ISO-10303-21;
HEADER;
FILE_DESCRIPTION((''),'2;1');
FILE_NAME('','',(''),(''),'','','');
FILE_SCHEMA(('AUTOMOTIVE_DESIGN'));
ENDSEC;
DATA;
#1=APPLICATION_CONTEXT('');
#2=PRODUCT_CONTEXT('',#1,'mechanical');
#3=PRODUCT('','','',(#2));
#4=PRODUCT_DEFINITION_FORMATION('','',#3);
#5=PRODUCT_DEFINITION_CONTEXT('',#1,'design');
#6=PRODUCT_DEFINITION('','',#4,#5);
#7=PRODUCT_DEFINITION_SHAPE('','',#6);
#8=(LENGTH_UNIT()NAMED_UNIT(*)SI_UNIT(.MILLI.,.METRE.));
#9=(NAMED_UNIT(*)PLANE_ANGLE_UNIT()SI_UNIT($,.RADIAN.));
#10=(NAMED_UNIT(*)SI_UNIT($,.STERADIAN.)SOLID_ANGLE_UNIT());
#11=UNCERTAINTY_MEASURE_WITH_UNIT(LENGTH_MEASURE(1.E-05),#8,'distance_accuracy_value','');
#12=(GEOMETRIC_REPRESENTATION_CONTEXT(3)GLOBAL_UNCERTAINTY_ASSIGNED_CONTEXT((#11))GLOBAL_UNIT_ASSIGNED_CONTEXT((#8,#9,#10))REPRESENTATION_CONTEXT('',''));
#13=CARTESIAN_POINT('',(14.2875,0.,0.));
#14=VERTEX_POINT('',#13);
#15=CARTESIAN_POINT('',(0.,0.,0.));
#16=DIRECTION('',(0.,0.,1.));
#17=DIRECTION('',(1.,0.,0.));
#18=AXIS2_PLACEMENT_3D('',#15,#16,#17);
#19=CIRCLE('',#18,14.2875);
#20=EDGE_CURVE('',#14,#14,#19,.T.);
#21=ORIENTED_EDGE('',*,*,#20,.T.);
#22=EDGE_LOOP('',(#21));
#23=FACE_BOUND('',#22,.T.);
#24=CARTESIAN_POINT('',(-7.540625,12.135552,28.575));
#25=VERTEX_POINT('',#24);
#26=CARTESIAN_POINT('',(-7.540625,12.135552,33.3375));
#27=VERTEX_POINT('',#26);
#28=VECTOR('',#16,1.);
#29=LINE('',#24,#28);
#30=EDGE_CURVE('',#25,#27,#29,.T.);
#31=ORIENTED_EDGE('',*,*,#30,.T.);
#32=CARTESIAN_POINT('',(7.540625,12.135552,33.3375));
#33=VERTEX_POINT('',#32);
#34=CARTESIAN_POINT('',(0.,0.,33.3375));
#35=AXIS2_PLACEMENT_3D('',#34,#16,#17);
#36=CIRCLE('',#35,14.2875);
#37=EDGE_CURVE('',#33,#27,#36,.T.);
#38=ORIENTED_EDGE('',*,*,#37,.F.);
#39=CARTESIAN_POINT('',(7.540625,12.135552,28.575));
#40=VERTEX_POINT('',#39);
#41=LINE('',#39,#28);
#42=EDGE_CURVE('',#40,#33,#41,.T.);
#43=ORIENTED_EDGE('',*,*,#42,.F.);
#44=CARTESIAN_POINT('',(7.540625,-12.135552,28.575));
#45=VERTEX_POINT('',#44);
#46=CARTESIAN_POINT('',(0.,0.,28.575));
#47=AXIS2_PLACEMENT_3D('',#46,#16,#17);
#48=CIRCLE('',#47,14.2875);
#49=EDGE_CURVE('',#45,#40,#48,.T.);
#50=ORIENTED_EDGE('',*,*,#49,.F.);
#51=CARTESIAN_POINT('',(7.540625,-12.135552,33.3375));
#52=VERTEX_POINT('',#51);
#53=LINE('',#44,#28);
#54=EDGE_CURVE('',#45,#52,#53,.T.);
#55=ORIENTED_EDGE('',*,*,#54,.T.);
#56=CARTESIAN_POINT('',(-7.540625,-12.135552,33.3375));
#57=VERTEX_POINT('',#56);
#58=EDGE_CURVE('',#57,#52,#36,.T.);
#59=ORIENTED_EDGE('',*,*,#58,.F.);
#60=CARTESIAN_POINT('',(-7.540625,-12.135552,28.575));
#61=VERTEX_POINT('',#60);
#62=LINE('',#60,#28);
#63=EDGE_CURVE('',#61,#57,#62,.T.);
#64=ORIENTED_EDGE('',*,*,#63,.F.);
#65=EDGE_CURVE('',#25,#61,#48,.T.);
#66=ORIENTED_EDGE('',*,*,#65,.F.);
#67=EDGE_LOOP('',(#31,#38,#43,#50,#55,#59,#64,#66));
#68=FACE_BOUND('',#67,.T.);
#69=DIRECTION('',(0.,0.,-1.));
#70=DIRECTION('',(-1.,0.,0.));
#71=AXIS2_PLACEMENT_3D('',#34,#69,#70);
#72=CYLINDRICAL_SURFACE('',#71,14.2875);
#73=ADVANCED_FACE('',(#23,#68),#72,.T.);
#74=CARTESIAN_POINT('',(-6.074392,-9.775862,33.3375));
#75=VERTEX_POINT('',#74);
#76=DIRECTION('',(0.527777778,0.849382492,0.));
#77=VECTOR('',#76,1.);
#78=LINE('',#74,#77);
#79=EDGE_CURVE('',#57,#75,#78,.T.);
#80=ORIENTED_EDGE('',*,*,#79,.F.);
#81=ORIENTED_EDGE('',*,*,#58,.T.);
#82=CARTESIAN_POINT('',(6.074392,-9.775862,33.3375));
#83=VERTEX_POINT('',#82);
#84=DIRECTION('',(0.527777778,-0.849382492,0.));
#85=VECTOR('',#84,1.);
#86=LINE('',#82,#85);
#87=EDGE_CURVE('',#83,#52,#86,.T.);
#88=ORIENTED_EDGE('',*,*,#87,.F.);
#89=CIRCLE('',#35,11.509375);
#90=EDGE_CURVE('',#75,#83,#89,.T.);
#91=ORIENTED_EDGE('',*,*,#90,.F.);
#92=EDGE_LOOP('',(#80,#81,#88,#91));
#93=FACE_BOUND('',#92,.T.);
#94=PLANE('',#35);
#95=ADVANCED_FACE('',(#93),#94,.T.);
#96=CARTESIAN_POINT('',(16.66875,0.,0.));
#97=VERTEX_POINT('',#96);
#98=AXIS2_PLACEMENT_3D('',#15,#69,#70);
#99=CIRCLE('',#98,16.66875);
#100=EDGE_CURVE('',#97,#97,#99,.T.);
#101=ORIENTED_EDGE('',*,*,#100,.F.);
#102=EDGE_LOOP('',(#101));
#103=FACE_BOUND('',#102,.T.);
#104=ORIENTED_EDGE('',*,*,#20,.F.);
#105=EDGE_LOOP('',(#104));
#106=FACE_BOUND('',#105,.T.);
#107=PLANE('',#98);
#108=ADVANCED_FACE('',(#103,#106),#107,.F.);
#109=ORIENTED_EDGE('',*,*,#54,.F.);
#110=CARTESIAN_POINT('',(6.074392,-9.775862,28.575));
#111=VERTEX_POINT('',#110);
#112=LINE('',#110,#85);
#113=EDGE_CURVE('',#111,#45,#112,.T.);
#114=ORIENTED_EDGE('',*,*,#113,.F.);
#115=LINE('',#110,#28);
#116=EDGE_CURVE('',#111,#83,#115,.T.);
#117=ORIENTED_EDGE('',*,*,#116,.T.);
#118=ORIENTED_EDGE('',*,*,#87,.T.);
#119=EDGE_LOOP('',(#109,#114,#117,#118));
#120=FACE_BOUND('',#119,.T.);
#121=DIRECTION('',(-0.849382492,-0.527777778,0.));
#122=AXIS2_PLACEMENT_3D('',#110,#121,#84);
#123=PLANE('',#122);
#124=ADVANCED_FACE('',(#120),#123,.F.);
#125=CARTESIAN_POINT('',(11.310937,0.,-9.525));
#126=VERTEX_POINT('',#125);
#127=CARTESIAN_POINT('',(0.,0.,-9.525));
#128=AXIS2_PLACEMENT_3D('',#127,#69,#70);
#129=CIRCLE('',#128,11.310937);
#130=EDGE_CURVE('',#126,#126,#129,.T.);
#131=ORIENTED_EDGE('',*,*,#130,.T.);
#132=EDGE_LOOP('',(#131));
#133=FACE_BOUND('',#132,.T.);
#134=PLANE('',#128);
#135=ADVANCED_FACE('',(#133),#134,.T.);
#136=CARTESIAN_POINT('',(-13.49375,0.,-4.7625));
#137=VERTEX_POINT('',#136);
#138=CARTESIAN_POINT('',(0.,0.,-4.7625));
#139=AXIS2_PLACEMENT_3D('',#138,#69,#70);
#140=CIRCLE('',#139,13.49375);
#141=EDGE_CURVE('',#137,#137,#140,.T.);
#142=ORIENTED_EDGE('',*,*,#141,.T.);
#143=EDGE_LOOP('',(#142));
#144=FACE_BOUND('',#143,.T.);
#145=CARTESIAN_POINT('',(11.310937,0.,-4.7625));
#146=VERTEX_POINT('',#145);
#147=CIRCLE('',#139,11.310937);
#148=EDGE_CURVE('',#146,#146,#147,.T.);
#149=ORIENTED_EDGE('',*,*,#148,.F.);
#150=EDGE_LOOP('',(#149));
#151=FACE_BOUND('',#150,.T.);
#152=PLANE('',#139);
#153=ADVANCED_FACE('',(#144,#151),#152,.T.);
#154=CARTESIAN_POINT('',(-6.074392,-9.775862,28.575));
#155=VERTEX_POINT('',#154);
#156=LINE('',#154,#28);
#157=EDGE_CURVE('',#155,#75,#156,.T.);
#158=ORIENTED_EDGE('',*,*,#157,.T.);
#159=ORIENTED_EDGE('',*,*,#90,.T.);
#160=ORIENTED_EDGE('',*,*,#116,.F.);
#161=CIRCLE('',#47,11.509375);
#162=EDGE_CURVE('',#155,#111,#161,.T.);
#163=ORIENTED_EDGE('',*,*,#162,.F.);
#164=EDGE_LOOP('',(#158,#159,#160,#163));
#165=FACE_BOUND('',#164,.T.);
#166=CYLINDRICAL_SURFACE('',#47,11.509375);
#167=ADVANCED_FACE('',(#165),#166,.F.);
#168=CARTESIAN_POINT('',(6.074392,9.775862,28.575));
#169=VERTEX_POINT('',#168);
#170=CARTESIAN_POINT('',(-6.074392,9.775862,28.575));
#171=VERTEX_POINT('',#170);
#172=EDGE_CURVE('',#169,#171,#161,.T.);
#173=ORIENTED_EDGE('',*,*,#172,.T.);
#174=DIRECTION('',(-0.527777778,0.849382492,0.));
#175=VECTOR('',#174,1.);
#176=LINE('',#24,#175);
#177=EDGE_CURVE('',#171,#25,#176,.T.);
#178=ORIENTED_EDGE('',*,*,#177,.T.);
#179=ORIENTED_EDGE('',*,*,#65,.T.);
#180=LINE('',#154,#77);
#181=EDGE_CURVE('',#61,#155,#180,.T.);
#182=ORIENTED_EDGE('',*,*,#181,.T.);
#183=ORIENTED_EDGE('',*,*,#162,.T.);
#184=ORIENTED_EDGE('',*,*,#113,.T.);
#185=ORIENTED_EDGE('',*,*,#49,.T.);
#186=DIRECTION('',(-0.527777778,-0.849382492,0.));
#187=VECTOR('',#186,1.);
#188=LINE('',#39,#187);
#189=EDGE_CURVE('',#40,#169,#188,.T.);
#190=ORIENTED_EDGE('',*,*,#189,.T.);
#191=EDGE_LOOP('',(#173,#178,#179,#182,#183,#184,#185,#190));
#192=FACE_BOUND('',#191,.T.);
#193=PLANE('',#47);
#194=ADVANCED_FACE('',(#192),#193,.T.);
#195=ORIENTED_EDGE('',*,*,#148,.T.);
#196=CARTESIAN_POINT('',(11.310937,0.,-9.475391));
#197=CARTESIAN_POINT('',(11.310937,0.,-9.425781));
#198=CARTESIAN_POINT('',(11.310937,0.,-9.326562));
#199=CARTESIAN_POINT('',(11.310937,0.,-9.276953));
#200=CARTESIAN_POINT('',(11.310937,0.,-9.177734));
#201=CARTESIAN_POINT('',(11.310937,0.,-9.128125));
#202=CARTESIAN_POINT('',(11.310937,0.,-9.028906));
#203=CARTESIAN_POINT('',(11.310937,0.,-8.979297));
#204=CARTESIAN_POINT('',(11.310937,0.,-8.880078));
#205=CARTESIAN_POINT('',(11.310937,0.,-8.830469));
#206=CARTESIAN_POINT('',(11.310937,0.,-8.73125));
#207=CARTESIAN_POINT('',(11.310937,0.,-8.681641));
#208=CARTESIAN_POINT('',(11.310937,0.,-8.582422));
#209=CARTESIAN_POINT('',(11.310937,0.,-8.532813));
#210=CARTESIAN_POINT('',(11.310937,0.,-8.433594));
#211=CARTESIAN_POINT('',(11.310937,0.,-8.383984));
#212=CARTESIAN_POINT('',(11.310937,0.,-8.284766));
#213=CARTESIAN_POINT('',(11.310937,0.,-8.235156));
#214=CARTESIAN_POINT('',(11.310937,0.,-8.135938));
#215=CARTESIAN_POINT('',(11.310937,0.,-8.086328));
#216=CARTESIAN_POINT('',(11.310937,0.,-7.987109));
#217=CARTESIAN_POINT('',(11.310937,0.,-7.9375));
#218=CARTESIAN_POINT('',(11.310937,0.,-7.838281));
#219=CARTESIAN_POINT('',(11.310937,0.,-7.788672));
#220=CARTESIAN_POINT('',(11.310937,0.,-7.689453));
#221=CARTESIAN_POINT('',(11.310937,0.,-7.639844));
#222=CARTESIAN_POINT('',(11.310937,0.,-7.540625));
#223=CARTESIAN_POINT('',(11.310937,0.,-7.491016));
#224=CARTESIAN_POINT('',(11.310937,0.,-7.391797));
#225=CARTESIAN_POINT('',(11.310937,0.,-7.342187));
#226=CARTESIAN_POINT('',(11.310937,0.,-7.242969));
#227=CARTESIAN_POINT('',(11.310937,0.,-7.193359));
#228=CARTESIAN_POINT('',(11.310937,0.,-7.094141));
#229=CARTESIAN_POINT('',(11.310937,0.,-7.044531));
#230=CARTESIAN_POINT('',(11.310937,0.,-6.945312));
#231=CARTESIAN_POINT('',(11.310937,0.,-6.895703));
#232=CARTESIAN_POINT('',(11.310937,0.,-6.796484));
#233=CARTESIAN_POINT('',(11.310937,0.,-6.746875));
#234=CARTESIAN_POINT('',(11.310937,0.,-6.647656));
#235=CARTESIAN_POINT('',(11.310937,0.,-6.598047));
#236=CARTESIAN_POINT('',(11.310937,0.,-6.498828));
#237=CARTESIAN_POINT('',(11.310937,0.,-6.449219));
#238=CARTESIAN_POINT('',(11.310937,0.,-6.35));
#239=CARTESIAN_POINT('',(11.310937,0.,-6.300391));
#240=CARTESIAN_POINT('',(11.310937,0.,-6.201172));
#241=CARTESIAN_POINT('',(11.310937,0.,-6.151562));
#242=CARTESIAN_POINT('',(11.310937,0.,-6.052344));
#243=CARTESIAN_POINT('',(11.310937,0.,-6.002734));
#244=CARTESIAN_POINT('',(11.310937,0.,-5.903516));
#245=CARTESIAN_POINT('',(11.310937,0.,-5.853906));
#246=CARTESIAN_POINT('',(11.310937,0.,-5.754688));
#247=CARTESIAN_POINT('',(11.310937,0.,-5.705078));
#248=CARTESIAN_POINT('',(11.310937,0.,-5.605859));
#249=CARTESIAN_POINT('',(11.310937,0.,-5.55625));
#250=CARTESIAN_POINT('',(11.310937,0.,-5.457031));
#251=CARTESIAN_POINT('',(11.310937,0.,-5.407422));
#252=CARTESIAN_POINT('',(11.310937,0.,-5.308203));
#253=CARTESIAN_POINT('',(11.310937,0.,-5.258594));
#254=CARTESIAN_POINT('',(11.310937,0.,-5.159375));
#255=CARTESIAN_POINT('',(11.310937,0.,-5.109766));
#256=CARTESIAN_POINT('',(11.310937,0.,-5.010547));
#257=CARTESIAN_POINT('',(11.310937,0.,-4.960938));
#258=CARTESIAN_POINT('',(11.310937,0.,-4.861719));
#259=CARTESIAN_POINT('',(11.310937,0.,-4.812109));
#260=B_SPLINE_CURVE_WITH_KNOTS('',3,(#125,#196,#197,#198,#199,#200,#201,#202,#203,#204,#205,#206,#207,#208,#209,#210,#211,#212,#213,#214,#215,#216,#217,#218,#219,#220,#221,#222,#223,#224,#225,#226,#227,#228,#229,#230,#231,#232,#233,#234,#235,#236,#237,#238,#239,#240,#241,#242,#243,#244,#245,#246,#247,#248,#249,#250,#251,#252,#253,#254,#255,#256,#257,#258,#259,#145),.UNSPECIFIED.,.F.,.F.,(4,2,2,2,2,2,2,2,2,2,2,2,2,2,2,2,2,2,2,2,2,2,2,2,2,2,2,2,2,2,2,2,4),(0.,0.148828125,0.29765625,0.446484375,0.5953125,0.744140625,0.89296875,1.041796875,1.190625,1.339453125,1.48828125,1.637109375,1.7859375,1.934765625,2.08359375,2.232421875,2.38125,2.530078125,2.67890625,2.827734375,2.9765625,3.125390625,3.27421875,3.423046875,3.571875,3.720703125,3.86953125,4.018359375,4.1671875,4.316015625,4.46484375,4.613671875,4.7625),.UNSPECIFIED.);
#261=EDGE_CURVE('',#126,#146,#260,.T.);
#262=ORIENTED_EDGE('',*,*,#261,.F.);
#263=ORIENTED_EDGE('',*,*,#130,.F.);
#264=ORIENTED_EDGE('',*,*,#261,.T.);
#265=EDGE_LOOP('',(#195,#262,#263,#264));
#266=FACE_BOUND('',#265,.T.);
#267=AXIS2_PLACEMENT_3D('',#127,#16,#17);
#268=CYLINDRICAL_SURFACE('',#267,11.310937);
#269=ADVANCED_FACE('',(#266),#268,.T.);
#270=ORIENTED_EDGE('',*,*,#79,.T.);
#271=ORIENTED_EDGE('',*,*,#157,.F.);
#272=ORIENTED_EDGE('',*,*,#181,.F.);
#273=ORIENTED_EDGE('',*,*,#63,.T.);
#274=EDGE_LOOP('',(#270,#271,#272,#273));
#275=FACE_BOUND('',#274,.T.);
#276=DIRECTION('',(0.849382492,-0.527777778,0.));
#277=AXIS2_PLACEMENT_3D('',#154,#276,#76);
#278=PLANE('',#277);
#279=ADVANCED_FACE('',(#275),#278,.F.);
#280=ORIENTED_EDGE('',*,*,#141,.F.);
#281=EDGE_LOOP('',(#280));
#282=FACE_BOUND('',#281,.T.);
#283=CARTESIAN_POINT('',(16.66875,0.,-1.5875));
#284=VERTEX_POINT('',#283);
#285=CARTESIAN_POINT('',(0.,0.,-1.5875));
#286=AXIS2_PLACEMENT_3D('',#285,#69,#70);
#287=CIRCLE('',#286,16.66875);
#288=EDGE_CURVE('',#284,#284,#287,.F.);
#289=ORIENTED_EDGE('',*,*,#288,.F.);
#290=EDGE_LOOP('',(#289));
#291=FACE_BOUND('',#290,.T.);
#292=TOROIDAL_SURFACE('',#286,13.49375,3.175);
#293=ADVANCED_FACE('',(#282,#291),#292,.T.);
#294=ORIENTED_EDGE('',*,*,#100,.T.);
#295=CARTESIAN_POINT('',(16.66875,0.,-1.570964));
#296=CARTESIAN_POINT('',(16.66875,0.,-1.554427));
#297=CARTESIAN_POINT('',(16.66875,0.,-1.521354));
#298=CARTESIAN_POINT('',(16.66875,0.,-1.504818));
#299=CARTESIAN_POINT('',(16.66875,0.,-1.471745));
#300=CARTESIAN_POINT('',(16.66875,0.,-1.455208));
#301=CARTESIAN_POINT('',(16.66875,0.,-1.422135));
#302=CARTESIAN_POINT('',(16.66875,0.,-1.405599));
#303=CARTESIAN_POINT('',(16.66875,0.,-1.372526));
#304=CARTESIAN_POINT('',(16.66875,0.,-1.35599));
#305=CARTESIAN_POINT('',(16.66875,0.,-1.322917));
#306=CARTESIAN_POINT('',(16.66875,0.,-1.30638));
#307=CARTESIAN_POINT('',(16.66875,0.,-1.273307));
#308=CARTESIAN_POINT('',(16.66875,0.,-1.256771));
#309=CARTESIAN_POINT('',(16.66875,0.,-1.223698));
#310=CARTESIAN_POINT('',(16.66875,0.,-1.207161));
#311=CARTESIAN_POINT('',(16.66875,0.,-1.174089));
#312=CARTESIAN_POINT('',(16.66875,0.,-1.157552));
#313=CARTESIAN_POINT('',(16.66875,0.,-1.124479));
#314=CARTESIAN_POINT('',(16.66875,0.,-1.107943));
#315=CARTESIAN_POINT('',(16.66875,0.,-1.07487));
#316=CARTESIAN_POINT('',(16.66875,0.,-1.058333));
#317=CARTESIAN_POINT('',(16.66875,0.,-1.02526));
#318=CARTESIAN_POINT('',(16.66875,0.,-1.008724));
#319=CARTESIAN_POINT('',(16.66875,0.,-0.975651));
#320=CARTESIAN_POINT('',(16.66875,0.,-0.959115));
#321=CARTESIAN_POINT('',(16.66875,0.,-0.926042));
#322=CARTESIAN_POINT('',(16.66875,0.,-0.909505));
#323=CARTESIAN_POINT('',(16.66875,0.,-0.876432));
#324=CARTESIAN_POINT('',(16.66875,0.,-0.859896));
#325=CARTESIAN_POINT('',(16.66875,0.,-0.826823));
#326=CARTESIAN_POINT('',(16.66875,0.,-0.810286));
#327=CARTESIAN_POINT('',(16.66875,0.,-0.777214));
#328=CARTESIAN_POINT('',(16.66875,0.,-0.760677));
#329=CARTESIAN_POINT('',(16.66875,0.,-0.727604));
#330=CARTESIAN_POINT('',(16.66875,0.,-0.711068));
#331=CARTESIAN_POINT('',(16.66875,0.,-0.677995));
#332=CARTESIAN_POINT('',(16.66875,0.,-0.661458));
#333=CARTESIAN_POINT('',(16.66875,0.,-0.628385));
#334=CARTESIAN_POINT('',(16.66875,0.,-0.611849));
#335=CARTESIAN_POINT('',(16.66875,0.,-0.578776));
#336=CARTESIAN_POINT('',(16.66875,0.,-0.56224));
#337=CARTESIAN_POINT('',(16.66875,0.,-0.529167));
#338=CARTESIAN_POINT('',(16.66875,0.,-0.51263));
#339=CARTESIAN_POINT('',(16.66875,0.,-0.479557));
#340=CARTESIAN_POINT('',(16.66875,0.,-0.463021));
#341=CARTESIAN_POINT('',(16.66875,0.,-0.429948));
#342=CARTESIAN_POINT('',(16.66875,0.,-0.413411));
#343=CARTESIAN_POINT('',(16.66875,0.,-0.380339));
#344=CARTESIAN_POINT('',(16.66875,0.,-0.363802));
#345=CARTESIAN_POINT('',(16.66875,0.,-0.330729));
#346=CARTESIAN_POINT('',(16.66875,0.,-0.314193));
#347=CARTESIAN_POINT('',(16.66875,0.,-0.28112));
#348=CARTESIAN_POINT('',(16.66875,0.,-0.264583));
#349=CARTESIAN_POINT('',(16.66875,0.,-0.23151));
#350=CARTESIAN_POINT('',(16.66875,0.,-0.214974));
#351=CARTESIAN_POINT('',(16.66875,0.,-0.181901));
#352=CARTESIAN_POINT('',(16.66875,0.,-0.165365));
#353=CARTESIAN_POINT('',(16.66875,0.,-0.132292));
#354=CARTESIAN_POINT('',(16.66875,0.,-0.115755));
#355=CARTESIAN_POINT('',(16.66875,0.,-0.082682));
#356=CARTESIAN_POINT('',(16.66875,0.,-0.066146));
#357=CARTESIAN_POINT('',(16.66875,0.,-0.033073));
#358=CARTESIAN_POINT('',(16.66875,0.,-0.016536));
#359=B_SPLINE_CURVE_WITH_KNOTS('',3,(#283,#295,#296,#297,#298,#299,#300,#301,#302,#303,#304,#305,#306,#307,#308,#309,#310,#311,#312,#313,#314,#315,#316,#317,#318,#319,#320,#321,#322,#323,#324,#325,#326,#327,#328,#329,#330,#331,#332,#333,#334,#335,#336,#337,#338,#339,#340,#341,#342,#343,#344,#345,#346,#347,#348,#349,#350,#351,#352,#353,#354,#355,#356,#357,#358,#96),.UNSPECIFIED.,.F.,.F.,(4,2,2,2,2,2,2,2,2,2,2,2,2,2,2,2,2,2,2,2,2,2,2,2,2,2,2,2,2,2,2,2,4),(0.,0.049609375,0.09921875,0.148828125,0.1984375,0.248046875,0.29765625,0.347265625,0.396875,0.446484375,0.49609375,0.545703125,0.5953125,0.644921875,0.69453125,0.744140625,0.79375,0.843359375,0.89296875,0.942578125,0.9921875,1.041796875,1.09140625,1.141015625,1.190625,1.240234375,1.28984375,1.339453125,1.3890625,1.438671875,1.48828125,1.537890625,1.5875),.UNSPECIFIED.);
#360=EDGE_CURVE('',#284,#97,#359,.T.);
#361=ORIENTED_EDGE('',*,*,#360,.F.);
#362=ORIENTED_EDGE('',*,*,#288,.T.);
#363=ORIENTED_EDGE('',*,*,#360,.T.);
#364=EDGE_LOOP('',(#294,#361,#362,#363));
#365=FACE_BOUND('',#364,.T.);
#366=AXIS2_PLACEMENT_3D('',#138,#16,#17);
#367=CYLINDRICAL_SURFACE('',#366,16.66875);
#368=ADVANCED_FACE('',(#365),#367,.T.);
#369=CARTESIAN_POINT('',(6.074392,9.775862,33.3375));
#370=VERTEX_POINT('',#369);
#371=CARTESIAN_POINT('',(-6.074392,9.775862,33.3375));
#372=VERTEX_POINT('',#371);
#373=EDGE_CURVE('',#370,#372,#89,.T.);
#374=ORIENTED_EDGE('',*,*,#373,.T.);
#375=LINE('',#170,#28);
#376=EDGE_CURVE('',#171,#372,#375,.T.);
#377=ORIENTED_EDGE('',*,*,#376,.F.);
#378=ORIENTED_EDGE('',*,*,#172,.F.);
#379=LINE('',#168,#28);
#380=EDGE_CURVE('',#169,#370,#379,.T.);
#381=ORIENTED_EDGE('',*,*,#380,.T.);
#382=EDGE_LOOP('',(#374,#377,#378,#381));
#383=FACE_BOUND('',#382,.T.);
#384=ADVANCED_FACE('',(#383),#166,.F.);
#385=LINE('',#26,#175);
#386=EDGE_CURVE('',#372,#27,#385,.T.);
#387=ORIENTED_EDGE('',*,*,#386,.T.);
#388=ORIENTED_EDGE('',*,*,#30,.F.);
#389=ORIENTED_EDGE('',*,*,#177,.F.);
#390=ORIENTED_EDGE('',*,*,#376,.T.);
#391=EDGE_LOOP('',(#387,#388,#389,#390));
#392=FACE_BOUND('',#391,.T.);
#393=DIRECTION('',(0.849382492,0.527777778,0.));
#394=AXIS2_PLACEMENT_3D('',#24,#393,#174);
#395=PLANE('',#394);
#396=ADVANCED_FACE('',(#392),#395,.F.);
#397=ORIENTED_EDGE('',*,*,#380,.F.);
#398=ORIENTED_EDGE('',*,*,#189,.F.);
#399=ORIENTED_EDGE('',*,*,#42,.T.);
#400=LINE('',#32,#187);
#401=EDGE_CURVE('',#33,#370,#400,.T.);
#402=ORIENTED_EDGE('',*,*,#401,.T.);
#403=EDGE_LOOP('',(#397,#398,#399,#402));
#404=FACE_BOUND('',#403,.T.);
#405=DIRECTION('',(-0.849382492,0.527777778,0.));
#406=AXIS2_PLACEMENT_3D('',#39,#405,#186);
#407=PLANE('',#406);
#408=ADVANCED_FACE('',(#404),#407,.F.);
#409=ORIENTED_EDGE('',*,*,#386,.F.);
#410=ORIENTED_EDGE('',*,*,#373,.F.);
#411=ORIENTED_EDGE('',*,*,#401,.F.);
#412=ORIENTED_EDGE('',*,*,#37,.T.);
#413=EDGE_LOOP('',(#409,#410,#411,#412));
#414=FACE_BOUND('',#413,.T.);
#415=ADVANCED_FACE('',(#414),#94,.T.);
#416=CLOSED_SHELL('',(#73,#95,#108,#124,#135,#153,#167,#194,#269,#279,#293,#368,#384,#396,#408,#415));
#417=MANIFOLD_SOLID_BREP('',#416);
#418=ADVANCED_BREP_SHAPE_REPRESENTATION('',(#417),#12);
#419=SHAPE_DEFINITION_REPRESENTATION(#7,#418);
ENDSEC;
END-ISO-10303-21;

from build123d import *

# Parameters (mm, degrees)
SKETCH1_R           = 14.2875
BOSS_EXTRUDE1_DEPTH = 33.3375
SKETCH2_R           = 16.66875
BOSS_EXTRUDE2_DEPTH = 4.7625
FILLET1_R           = 3.175
SKETCH3_R           = 11.3109375
BOSS_EXTRUDE3_DEPTH = 4.7625
CUT_EXTRUDE1_START  = -4.7625
CUT_EXTRUDE1_DEPTH  = 4.7625


with BuildPart() as part:
    # Sketch1 → Boss-Extrude1 (new body)
    with BuildSketch(Plane.XY):
        Circle(SKETCH1_R)
    extrude(amount=BOSS_EXTRUDE1_DEPTH)

    # Sketch2 → Boss-Extrude2 (add)
    with BuildSketch(Plane(origin=(0, 0, 0), x_dir=(-1, 0, 0), z_dir=(0, 0, -1))):
        with Locations(Location((0, 0, 0), (0, 0, 180))):
            Circle(SKETCH2_R)
    extrude(amount=BOSS_EXTRUDE2_DEPTH)

    # Fillet1
    fillet1_edges = [part.edges().sort_by_distance(p)[0] for p in [
        (-16.66875, 0, -4.7625),
    ]]
    fillet(fillet1_edges, radius=FILLET1_R)

    # Sketch3 → Boss-Extrude3 (add)
    with BuildSketch(Plane(origin=(0, 0, -4.7625), x_dir=(-1, 0, 0), z_dir=(0, 0, -1))):
        with Locations(Location((0, 0, 0), (0, 0, 180))):
            Circle(SKETCH3_R)
    extrude(amount=BOSS_EXTRUDE3_DEPTH)

    # Sketch4 → Cut-Extrude1 (cut)
    with BuildSketch(Plane.XY.offset(33.3375).offset(CUT_EXTRUDE1_START)):
        with BuildLine():
            Line((-7.540625, 12.135552351), (-6.074392361, 9.775861616))
            ThreePointArc((-6.074392361, 9.775861616), (0, 11.509375), (6.074392361, 9.775861616))
            Line((6.074392361, 9.775861616), (7.540625, 12.135552351))
            ThreePointArc((7.540625, 12.135552351), (14.2875, 0), (7.540625, -12.135552351))
            Line((7.540625, -12.135552351), (6.074392361, -9.775861616))
            ThreePointArc((6.074392361, -9.775861616), (0, -11.509375), (-6.074392361, -9.775861616))
            Line((-6.074392361, -9.775861616), (-7.540625, -12.135552351))
            ThreePointArc((-7.540625, -12.135552351), (-14.2875, 0), (-7.540625, 12.135552351))
        make_face()
    extrude(amount=CUT_EXTRUDE1_DEPTH, mode=Mode.SUBTRACT)


solid = part.part
